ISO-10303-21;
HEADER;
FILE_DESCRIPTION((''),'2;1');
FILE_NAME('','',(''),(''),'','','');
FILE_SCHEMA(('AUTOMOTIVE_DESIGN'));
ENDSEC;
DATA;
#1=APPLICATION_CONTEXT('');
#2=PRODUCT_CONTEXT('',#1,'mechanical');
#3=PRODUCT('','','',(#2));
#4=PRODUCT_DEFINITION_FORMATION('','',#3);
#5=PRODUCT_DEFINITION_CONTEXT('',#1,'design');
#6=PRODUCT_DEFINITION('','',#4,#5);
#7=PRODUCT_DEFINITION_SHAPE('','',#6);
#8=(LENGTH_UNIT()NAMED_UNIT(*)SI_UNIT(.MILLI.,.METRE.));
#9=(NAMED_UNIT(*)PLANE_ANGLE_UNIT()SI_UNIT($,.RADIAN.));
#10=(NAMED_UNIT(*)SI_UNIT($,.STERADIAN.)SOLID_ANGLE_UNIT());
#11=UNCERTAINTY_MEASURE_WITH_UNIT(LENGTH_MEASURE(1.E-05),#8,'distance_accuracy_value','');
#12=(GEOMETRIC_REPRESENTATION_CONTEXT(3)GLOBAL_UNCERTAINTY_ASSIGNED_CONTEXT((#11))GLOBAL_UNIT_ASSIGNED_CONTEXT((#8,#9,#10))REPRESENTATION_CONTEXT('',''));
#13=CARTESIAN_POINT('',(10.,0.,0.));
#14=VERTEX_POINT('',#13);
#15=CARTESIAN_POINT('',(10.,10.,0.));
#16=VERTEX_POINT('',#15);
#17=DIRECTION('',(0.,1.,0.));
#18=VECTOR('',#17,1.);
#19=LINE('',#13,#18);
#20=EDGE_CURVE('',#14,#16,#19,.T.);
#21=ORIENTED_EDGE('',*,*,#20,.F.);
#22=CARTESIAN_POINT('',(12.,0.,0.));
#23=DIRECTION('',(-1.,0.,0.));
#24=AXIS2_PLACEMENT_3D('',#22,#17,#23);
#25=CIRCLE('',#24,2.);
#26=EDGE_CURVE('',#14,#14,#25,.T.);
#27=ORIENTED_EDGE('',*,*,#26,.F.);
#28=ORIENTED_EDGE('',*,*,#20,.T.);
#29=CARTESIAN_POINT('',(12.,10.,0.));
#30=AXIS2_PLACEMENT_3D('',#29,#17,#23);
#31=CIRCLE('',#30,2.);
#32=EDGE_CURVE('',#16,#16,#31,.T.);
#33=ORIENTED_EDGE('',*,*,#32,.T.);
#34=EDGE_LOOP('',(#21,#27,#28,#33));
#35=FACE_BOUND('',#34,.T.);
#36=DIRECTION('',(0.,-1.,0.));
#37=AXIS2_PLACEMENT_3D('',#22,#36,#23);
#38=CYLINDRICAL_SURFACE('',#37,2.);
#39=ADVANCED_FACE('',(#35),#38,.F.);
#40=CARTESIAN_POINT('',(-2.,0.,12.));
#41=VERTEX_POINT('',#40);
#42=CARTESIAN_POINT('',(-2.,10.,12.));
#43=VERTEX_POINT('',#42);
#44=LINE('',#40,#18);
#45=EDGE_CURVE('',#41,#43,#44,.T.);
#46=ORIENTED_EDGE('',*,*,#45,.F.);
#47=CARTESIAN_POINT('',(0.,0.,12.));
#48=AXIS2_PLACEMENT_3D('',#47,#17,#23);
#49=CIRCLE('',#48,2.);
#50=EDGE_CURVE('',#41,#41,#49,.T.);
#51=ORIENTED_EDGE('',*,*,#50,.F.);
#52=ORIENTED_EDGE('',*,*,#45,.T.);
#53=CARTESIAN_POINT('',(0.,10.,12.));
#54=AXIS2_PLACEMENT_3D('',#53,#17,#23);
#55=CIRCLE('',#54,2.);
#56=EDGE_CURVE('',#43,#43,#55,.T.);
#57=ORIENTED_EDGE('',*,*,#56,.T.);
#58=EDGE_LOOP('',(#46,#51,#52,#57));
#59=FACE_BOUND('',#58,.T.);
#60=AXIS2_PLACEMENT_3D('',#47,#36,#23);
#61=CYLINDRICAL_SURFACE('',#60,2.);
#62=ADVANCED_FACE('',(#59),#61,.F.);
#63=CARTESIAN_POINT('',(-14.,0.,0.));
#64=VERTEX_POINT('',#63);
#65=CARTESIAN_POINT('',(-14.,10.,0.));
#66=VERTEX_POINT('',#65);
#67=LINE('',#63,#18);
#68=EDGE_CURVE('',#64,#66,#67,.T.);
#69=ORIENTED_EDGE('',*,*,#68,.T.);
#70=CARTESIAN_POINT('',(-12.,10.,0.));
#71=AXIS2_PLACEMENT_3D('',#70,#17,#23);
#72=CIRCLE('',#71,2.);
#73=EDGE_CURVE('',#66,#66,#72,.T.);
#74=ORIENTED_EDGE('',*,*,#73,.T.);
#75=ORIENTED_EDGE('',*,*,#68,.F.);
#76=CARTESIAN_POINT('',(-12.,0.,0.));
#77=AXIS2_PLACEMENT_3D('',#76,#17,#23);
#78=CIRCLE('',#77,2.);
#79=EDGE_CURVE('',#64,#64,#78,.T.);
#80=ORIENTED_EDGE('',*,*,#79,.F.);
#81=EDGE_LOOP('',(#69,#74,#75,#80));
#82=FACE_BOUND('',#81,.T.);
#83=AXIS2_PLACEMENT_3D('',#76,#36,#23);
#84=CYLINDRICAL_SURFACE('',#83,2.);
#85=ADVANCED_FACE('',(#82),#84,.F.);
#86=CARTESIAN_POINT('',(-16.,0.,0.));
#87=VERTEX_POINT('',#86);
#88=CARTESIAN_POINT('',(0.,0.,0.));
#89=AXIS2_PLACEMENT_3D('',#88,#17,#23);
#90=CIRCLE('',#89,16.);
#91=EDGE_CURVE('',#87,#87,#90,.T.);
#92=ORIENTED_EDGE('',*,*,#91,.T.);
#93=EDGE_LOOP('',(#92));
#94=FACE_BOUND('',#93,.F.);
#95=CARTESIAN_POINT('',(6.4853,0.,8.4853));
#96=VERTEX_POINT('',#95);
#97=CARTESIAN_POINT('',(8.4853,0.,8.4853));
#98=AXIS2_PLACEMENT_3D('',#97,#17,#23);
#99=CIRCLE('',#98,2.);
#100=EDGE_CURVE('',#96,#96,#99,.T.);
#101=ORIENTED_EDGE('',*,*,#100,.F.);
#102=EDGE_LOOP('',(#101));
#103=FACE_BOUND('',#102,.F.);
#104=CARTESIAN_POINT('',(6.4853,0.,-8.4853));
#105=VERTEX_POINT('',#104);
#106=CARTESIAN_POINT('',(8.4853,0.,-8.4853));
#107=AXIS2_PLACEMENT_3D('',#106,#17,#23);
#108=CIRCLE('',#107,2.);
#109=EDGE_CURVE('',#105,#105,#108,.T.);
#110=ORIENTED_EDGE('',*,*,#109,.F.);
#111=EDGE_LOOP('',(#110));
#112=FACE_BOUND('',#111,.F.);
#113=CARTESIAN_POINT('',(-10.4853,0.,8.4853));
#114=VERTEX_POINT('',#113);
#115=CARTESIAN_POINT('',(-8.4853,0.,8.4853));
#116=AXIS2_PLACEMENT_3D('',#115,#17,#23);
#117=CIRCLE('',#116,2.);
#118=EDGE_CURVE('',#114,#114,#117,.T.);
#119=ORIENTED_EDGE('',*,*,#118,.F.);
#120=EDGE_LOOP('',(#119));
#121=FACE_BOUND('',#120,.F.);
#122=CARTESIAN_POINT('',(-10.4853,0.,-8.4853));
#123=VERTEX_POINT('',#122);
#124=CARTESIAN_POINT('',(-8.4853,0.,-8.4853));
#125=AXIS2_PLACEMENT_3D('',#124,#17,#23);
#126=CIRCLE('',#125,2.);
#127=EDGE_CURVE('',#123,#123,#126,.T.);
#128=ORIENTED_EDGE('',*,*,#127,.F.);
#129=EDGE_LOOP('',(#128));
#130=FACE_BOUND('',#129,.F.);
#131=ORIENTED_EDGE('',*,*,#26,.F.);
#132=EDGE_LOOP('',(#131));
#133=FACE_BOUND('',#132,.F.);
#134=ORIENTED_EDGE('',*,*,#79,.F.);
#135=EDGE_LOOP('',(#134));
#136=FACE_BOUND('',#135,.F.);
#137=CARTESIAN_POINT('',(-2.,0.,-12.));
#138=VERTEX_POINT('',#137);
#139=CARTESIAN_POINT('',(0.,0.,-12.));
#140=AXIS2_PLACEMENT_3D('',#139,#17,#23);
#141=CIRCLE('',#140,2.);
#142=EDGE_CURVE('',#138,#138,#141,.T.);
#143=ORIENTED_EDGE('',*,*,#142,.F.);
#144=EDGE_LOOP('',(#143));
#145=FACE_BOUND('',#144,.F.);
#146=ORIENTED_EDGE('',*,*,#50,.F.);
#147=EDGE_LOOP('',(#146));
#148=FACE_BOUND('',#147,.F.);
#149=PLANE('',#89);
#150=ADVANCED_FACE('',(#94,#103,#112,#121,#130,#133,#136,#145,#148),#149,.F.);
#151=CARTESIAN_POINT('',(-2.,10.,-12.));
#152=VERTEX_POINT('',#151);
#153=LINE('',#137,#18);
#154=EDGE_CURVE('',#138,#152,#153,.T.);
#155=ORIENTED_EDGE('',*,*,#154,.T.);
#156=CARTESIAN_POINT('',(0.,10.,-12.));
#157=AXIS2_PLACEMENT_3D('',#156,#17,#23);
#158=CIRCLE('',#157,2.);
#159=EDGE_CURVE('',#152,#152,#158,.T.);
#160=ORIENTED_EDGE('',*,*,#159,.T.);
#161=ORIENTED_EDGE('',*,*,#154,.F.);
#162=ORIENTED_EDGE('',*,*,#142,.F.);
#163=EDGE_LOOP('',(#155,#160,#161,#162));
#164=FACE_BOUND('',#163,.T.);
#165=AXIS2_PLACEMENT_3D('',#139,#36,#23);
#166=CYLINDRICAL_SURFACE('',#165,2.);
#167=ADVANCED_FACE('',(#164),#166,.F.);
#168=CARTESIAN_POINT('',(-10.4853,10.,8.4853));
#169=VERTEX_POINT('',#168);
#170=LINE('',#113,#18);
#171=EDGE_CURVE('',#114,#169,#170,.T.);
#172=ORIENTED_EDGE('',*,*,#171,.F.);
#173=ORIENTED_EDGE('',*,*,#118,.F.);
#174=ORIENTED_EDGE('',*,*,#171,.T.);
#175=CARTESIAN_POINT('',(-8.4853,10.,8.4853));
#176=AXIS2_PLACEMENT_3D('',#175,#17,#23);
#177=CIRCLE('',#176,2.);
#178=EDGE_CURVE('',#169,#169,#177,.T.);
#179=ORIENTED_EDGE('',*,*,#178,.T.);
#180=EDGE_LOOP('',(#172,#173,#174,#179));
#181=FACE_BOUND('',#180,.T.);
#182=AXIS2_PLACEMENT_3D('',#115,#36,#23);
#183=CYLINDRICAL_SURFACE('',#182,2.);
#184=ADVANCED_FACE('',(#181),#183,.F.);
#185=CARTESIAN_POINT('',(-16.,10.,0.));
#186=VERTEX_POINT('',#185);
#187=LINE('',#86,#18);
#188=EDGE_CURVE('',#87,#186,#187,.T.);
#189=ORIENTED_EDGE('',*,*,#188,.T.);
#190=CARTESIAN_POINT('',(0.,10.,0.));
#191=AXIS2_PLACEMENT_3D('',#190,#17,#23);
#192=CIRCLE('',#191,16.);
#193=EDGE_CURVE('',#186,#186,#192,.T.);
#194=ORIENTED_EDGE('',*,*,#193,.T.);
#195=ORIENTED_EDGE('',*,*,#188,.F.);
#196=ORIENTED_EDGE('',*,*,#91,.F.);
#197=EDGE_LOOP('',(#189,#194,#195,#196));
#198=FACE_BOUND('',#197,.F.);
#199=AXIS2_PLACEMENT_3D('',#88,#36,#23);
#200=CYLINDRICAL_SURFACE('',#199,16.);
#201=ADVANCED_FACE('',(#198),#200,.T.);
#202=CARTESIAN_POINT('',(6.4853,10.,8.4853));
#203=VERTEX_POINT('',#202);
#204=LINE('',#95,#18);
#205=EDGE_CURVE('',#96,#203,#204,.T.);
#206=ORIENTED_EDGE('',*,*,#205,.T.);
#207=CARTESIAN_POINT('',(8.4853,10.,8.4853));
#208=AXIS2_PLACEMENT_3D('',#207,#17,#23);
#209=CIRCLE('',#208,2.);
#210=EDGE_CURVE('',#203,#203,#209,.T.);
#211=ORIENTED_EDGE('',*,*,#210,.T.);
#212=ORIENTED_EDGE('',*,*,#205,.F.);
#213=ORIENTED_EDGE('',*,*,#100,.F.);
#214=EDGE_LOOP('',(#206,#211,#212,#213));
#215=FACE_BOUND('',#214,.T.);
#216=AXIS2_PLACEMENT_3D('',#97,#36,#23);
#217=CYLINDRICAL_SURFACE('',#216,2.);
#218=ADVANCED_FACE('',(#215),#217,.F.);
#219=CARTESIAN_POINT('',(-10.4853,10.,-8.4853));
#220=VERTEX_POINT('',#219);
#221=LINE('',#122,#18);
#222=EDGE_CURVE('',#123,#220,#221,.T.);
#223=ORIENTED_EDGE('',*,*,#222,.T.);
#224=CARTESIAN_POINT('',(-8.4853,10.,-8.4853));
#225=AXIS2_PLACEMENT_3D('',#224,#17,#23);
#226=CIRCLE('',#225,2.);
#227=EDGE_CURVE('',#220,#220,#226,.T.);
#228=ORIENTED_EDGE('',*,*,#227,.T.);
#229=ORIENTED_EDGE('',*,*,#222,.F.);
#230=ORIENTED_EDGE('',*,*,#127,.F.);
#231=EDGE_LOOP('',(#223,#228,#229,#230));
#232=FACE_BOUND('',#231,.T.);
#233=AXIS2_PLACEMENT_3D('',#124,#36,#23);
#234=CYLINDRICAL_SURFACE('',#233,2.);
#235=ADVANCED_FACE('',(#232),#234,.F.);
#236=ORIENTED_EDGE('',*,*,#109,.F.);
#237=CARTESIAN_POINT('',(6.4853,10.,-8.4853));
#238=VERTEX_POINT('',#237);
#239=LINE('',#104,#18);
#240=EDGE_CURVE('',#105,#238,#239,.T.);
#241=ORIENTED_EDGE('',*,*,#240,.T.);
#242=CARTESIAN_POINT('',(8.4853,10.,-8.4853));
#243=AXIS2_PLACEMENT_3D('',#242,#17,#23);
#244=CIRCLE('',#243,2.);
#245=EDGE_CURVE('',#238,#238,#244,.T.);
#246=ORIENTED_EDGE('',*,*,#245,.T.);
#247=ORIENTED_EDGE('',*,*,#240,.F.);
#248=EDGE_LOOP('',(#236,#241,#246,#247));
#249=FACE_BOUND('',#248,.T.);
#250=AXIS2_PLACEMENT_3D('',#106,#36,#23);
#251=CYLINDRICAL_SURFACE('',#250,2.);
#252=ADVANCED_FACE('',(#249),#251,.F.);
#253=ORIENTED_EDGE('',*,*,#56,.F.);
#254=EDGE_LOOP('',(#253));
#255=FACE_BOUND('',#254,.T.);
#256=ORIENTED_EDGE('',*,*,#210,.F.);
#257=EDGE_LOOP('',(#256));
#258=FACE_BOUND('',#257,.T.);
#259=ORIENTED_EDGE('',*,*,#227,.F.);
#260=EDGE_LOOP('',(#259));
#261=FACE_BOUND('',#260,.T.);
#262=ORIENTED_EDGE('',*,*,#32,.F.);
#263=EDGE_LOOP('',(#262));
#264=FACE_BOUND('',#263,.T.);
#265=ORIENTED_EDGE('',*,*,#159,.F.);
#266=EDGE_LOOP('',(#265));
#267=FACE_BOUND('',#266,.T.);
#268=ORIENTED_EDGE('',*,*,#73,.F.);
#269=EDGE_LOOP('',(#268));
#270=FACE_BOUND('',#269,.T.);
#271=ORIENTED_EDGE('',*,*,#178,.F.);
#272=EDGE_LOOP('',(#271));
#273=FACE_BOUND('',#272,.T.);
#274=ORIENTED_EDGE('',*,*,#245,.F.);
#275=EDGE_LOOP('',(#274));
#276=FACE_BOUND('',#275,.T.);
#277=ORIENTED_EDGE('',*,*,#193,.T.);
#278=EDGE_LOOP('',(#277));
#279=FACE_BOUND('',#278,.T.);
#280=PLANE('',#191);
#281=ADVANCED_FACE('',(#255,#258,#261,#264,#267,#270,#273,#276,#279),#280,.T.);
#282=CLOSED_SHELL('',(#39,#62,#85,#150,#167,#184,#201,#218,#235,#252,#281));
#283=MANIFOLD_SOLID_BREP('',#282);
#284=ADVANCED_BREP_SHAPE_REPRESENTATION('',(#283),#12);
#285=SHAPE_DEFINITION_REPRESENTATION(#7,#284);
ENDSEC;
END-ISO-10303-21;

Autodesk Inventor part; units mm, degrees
ref_plane "YZ Plane" through (0, 0, 0) normal (1, 0, 0) x (0, 1, 0)
ref_plane "XZ Plane" through (0, 0, 0) normal (0, 1, 0) x (-1, 0, 0)
ref_plane "XY Plane" through (0, 0, 0) normal (0, 0, 1) x (1, 0, 0)
sketch "Sketch1" plane through (0, 0, 0) normal (0, 1, 0) x (-1, 0, 0)
  circle A0 centre (0, 0) radius 16
  circle A1 centre (0, -12) radius 2
  circle A2 centre (8.4853, -8.4853) radius 2
  circle A3 centre (12, 0) radius 2
  circle A4 centre (8.4853, 8.4853) radius 2
  circle A5 centre (0, 12) radius 2
  circle A6 centre (-8.4853, 8.4853) radius 2
  circle A7 centre (-12, 0) radius 2
  circle A8 centre (-8.4853, -8.4853) radius 2
  dimension "d0" = 32
  dimension "d1" = 4
  dimension "d2" = 12
  dimension "d5" = 360
extrude "Extrusion1" add sketch "Sketch1" along normal blind 10
properties part number "ArmBearingSpacer1"
